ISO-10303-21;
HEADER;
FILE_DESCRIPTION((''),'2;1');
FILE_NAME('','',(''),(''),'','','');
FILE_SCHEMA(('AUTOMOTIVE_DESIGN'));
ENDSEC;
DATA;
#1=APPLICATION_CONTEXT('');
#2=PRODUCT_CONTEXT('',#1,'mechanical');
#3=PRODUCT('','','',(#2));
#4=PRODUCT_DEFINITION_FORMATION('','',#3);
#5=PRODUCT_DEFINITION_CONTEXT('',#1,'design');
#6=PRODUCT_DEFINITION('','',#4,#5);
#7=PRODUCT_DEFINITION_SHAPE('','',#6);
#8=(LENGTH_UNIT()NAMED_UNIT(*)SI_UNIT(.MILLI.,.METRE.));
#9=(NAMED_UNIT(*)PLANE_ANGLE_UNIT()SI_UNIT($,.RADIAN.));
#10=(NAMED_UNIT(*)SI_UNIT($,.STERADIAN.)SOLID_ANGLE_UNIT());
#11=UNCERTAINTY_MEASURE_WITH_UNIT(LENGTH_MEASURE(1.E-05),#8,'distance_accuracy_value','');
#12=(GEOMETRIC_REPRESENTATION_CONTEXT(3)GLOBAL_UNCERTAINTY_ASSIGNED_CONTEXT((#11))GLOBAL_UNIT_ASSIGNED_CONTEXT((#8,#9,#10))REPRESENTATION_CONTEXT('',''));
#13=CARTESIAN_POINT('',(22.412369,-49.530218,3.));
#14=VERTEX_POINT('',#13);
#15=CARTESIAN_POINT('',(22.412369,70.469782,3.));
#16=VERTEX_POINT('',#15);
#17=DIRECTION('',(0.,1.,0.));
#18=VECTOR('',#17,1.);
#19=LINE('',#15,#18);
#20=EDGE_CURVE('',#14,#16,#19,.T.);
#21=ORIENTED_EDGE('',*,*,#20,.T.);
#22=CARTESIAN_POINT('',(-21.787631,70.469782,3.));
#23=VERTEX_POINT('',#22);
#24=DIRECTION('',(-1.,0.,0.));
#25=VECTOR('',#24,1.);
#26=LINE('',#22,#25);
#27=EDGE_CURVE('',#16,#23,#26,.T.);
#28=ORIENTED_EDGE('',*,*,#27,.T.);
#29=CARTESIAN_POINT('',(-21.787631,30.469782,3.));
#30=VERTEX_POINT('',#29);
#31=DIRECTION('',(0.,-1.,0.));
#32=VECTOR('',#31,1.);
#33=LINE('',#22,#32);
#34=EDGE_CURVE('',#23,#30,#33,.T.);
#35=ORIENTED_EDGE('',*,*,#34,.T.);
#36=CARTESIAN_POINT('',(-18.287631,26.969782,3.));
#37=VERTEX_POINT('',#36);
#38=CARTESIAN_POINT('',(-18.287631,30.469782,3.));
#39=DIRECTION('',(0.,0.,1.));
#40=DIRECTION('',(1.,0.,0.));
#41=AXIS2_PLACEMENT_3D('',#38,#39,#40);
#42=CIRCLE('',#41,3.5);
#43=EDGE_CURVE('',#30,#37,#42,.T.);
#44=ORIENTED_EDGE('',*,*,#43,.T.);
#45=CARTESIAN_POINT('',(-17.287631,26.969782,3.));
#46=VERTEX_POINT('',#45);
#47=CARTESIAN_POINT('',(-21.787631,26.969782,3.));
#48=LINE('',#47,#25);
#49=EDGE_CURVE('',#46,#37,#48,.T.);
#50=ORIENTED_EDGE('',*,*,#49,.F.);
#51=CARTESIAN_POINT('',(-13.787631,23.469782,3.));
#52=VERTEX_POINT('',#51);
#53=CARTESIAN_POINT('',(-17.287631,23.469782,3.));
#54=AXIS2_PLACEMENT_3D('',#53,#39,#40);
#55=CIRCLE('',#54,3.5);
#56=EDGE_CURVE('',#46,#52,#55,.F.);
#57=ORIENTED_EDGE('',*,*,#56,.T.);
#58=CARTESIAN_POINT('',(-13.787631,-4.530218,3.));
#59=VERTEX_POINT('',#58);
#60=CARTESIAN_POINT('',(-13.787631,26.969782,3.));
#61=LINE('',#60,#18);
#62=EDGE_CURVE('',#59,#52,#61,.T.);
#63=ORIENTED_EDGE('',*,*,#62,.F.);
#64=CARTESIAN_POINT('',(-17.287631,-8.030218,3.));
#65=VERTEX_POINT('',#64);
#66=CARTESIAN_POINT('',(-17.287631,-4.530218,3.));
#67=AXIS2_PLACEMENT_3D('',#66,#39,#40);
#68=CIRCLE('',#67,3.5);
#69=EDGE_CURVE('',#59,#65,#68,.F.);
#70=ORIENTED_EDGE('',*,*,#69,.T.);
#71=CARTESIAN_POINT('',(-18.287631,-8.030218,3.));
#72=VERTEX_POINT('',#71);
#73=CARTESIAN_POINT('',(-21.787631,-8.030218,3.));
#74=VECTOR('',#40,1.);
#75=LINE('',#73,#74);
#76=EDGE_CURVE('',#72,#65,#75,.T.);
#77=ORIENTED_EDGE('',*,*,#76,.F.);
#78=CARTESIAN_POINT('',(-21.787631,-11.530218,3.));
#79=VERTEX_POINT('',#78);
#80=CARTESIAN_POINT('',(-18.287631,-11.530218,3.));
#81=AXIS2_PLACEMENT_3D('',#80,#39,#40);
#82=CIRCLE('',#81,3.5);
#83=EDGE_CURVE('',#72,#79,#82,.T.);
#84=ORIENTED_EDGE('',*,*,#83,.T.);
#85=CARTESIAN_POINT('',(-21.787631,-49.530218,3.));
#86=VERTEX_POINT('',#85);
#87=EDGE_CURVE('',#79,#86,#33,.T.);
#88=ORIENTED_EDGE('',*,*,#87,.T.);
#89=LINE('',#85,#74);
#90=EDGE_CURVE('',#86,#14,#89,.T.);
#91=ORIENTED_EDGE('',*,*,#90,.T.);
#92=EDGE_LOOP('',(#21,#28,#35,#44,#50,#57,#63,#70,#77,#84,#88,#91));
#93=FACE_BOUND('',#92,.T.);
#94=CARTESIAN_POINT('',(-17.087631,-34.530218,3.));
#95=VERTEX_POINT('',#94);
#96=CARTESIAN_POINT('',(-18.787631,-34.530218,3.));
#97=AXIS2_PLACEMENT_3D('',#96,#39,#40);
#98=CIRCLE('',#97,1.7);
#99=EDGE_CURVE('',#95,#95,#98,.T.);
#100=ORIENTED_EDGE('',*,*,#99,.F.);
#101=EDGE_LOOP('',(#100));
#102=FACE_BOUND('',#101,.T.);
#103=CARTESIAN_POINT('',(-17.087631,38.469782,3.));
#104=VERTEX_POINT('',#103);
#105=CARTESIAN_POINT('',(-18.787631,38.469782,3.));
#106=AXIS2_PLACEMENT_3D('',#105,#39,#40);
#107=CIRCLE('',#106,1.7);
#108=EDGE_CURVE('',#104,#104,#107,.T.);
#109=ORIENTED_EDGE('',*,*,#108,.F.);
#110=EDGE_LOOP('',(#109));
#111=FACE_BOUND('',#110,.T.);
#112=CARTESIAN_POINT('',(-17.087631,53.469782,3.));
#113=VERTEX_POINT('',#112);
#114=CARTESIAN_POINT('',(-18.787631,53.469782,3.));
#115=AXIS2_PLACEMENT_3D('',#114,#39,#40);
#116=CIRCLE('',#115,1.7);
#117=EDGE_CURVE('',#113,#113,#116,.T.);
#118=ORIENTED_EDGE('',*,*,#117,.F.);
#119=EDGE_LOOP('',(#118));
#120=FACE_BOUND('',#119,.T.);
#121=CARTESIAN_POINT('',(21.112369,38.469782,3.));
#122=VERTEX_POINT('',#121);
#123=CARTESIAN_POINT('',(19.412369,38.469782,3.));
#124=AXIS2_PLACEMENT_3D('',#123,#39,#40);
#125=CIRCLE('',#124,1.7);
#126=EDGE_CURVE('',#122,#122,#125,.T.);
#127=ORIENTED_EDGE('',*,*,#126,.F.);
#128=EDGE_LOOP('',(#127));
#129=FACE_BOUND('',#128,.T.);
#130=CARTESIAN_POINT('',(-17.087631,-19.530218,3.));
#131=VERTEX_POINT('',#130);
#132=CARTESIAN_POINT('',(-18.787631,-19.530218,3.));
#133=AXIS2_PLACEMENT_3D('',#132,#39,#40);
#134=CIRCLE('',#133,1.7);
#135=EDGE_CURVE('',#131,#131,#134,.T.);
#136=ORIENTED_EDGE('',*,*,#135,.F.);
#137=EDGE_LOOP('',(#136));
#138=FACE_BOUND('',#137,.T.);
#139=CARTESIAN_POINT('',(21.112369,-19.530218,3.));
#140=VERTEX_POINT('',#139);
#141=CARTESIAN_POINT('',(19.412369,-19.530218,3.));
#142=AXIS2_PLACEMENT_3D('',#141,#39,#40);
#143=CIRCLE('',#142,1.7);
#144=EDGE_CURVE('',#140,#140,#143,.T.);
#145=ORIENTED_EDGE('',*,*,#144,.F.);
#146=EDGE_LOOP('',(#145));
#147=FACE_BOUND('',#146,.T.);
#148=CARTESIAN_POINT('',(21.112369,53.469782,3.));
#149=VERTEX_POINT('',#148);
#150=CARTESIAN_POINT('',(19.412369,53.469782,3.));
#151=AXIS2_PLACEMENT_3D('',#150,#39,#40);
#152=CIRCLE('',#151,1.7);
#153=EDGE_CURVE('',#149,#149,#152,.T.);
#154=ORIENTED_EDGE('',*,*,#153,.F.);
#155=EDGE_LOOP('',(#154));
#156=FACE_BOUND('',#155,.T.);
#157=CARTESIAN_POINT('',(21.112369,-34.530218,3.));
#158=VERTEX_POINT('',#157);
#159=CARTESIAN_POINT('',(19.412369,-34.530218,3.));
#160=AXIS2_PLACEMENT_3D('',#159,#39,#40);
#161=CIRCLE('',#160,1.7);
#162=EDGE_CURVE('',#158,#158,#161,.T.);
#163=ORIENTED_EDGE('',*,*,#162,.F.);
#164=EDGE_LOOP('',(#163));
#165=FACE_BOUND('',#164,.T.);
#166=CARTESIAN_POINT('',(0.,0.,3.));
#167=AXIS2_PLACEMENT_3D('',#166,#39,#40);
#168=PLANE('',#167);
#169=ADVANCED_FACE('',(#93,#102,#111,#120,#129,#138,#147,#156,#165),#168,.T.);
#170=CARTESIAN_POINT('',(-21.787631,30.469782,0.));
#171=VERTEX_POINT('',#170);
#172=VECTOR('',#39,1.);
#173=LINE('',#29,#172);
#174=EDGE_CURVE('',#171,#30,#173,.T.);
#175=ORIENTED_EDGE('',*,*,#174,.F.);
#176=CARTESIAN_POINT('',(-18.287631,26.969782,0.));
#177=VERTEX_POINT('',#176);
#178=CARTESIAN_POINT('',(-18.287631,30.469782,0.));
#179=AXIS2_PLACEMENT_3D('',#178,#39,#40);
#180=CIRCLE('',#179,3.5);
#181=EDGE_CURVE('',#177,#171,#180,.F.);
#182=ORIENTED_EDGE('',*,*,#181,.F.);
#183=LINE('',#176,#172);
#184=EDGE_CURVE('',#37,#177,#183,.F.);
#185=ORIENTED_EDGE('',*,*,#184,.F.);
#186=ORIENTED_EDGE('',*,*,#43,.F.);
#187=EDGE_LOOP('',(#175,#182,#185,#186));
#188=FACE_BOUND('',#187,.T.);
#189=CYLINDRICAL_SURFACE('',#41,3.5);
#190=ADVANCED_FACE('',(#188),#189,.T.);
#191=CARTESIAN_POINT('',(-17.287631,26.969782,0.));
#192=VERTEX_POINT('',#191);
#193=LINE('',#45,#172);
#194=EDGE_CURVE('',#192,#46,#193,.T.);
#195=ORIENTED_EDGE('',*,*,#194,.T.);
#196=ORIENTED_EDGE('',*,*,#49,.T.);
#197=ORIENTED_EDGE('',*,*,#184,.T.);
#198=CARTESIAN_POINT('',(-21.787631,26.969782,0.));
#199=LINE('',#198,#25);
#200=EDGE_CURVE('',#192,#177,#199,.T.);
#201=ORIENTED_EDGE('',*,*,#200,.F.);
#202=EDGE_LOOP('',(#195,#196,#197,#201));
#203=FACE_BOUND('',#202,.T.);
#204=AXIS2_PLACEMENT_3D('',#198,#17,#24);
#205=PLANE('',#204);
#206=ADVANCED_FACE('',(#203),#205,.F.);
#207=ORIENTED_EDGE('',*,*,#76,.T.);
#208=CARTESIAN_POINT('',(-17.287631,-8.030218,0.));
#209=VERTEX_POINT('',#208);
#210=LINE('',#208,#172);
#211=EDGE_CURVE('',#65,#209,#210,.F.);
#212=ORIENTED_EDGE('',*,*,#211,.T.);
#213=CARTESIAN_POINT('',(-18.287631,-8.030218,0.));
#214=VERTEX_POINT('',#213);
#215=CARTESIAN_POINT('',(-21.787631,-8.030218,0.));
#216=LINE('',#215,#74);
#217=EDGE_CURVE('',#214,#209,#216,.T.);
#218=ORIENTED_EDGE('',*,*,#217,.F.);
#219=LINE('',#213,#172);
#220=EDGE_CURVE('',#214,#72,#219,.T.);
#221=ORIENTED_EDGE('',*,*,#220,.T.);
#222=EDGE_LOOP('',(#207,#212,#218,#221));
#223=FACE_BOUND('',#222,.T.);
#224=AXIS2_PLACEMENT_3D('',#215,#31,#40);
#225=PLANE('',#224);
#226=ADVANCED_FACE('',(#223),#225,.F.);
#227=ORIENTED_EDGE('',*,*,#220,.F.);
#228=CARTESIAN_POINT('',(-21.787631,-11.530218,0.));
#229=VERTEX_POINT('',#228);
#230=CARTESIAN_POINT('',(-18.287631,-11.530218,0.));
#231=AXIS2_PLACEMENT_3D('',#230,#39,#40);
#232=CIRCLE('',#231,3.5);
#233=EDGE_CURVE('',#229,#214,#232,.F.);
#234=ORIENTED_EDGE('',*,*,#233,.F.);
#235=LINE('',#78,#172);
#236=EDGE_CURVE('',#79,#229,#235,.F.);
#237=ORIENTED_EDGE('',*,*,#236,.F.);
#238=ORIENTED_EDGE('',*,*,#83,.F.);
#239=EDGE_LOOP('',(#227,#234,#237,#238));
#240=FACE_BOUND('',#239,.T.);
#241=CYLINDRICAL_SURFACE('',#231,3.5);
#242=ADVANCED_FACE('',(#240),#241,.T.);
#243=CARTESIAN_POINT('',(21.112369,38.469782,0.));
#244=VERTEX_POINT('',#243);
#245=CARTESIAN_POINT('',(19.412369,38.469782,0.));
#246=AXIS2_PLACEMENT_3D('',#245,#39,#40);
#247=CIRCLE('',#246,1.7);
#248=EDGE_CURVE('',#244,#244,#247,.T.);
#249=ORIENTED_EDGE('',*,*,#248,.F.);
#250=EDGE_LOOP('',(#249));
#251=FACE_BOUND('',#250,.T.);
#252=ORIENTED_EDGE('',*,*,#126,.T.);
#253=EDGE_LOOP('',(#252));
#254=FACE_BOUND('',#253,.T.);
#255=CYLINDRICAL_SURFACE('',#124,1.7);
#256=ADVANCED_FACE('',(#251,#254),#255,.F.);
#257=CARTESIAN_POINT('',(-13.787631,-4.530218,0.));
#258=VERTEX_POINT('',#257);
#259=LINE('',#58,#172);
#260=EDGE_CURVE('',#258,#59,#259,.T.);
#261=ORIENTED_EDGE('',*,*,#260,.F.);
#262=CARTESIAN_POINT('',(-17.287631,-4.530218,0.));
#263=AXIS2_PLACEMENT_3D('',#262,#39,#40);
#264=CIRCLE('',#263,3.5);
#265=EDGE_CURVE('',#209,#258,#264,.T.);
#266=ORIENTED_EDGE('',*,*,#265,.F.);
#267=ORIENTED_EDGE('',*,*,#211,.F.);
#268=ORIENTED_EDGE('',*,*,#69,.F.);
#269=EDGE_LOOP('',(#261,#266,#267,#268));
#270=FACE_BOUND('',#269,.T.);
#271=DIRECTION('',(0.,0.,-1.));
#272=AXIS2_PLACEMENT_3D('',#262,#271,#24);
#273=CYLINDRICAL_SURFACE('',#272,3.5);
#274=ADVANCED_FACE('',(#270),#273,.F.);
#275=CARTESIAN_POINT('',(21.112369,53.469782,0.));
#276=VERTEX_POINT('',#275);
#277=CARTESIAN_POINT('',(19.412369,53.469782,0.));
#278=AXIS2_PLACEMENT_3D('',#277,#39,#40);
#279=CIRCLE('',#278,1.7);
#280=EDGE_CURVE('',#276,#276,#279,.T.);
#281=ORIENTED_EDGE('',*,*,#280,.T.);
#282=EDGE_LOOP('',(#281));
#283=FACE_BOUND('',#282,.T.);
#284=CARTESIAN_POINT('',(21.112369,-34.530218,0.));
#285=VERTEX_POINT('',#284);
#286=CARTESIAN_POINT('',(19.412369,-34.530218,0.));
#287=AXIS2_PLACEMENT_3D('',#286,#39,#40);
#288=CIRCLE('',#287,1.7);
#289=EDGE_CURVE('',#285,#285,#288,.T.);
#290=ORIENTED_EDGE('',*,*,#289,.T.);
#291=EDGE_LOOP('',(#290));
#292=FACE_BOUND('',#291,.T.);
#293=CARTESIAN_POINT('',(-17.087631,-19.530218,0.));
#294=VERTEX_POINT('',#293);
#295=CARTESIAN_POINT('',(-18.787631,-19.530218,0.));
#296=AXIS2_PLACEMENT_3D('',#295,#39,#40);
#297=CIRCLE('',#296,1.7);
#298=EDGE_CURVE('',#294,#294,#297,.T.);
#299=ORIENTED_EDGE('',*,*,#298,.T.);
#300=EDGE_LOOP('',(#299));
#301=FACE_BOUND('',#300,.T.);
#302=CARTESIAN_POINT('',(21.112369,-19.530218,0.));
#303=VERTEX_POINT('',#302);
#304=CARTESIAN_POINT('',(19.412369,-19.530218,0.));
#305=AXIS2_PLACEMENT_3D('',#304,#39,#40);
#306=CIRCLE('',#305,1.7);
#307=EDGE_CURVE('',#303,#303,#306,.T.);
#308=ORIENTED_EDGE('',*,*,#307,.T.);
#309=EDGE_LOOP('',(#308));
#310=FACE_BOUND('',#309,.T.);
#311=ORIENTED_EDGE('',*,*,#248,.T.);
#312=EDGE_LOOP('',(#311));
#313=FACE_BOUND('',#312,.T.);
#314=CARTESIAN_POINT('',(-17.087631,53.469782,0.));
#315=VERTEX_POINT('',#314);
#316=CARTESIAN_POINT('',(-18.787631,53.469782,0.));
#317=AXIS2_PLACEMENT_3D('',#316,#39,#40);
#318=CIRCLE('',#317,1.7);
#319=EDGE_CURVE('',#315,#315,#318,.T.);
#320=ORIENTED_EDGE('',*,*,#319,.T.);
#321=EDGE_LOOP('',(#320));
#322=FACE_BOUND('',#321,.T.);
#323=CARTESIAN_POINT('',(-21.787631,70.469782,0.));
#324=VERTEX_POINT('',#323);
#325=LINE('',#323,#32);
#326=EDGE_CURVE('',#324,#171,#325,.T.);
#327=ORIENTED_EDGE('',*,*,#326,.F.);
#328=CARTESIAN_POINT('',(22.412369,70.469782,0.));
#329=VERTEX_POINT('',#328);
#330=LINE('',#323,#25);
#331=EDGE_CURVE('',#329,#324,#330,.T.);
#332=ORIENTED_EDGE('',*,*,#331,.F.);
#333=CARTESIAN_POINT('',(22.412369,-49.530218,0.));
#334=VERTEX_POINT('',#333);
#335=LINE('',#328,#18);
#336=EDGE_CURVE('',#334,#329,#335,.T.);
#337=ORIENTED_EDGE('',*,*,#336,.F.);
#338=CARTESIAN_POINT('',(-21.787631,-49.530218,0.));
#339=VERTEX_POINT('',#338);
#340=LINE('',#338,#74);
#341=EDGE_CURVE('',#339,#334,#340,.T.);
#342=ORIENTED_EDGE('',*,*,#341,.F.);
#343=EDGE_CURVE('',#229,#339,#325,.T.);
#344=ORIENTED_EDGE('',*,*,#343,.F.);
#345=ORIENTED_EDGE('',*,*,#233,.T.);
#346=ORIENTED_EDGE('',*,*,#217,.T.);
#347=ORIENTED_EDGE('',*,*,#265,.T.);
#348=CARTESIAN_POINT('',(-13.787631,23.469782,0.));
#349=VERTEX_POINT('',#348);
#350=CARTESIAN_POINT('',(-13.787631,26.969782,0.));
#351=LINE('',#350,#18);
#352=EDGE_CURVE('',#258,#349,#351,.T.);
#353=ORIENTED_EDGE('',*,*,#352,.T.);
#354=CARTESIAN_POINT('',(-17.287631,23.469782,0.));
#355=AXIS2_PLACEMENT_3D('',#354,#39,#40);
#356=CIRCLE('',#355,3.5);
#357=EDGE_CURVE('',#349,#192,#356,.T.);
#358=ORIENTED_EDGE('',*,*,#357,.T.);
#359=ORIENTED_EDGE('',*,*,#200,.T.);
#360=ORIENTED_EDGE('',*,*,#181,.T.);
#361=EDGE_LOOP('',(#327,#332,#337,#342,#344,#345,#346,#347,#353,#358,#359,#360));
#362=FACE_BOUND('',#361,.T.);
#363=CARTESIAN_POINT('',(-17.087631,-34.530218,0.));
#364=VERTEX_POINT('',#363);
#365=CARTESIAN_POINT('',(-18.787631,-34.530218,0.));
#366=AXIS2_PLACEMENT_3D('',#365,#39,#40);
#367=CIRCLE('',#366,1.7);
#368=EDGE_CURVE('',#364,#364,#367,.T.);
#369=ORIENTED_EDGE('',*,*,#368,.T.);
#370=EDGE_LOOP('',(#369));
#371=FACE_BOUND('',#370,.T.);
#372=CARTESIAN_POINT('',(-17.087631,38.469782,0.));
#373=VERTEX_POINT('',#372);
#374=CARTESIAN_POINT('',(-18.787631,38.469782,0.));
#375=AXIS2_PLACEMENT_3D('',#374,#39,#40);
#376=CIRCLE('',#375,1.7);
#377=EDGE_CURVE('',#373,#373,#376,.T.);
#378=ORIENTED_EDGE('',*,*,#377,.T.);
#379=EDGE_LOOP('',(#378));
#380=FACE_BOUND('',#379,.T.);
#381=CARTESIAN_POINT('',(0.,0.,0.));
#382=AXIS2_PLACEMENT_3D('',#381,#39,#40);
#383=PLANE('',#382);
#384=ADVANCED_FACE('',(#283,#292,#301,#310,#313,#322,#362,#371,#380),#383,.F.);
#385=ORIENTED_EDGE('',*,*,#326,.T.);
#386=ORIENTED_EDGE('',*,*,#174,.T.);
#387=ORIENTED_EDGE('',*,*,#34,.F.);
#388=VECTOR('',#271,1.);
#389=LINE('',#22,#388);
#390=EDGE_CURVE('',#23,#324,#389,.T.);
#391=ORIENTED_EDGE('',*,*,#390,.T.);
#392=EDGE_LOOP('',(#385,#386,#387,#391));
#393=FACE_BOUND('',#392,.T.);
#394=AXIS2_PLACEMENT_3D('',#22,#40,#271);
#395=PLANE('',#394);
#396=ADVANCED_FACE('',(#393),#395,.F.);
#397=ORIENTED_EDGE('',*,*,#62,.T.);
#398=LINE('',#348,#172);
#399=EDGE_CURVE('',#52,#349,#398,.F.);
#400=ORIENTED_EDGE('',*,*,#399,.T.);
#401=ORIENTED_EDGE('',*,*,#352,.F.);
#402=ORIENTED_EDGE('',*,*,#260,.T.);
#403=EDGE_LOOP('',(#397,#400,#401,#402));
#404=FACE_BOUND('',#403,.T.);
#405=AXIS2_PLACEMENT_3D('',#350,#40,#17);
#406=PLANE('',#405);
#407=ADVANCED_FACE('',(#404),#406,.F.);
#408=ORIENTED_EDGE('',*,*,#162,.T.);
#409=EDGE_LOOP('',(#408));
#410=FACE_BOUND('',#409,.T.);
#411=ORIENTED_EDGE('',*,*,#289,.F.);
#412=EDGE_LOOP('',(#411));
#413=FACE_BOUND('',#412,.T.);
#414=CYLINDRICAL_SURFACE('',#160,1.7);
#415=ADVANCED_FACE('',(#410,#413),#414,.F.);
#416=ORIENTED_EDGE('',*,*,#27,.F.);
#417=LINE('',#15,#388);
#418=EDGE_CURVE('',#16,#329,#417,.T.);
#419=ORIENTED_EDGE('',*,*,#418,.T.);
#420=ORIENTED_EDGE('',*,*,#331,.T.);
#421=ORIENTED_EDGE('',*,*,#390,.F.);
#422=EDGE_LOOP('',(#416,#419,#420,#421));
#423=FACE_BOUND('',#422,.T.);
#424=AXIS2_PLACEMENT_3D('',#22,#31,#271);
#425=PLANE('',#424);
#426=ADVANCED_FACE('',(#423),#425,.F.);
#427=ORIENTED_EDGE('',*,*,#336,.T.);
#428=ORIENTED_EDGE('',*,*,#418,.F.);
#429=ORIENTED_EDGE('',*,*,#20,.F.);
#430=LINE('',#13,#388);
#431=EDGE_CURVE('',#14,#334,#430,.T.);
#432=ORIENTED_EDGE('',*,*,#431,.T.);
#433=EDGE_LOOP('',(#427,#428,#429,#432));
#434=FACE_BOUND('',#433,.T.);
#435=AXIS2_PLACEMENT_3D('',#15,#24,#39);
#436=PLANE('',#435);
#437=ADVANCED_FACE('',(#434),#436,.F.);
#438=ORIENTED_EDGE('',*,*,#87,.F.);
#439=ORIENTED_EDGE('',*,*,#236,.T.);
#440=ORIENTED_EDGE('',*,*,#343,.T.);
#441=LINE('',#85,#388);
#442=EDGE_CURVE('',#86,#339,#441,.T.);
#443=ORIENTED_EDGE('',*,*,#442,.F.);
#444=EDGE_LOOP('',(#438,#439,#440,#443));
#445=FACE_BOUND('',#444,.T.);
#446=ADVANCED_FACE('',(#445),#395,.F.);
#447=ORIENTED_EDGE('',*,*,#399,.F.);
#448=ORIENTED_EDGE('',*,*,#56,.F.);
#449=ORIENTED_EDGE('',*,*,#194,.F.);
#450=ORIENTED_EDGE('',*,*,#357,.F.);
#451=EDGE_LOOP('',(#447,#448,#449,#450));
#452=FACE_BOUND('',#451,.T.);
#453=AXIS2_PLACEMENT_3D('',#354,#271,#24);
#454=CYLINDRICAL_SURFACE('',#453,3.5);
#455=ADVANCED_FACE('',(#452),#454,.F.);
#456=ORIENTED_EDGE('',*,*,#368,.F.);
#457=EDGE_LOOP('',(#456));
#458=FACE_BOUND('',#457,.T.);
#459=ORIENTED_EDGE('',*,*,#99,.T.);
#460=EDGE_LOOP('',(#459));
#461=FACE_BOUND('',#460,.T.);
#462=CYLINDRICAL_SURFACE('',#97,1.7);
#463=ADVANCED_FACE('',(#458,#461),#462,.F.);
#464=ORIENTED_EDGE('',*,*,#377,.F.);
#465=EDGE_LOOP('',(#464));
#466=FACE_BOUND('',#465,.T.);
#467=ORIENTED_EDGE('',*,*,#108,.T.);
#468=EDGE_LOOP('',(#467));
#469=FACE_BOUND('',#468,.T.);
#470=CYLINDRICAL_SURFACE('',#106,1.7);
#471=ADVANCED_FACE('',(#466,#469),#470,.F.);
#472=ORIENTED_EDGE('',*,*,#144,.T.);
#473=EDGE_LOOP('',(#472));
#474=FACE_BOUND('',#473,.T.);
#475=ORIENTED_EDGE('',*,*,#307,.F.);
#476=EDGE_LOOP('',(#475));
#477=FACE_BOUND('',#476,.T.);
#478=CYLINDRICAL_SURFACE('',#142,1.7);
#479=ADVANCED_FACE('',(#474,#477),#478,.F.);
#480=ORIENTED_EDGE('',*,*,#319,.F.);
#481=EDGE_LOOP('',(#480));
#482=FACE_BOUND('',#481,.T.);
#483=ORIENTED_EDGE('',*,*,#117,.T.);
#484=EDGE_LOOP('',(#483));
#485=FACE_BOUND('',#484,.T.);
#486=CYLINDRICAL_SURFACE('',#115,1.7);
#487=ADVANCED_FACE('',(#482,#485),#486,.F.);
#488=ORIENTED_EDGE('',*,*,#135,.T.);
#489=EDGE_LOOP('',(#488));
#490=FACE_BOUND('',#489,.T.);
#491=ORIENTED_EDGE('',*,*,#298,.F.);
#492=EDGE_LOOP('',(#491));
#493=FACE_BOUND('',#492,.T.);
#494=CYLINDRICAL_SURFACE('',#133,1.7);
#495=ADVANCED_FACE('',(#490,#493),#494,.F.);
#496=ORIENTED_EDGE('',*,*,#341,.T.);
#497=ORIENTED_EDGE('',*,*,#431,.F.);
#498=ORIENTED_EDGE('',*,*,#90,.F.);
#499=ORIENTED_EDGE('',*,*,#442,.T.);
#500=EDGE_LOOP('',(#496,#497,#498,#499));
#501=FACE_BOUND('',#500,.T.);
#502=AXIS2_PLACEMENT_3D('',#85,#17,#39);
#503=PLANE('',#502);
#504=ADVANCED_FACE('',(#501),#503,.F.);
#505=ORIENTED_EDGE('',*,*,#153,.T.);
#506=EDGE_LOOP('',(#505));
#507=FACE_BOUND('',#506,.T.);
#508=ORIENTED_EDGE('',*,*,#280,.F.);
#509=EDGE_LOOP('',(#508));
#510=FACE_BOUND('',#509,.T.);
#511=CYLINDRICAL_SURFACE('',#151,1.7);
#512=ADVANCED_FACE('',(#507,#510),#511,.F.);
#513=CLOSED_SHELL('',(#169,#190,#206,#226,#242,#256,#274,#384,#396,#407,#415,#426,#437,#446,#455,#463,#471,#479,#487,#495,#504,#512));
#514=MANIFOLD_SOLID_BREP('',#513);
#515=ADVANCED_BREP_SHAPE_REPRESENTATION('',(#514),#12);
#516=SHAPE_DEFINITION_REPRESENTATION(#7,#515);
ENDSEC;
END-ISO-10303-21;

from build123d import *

# Parameters (mm, degrees)
SKETCH_D_W               = 44.2
SKETCH_D_H               = 120
BOSS_EXTRUDE1_DEPTH      = 3
M3_CLEARANCE_HOLE1_D     = 3.4
M3_CLEARANCE_HOLE1_DEPTH = 15
M3_CLEARANCE_HOLE1_TIP   = 1.021463052
SKETCH6_W                = 8
SKETCH6_H                = 35
CUT_EXTRUDE1_DEPTH       = 75.008813719
FILLET1_R                = 3.5


with BuildPart() as part:
    # Sketch d → Boss-Extrude1 (new body)
    with BuildSketch(Plane.XY):
        with Locations((0.312368929, 10.469782369)):
            Rectangle(SKETCH_D_W, SKETCH_D_H)
    extrude(amount=BOSS_EXTRUDE1_DEPTH)

    # M3 Clearance Hole1
    with Locations(Plane.XY.offset(3)):
        with Locations((-18.787631071, 53.469782369), (-18.787631071, 38.469782369), (-18.787631071, -19.530217631), (-18.787631071, -34.530217631), (19.412368929, -34.530217631), (19.412368929, -19.530217631), (19.412368929, 38.469782369), (19.412368929, 53.469782369)):
            Hole(M3_CLEARANCE_HOLE1_D / 2, depth=M3_CLEARANCE_HOLE1_DEPTH)
            with Locations((0, 0, -(M3_CLEARANCE_HOLE1_DEPTH + M3_CLEARANCE_HOLE1_TIP / 2))):  # 118° drill point
                Cone(0, M3_CLEARANCE_HOLE1_D / 2, M3_CLEARANCE_HOLE1_TIP, mode=Mode.SUBTRACT)

    # Sketch6 → Cut-Extrude1 (cut, through all)
    with BuildSketch(Plane.XY.offset(3)):
        with Locations((-17.787631071, 9.469782369)):
            Rectangle(SKETCH6_W, SKETCH6_H)
    extrude(amount=-CUT_EXTRUDE1_DEPTH, mode=Mode.SUBTRACT)

    # Fillet1
    fillet1_edges = [part.edges().sort_by_distance(p)[0] for p in [
        (-21.787631071, -8.030217631, 1.5),
        (-21.787631071, 26.969782369, 1.5),
        (-13.787631071, 26.969782369, 1.5),
        (-13.787631071, -8.030217631, 1.5),
    ]]
    fillet(fillet1_edges, radius=FILLET1_R)


solid = part.part
